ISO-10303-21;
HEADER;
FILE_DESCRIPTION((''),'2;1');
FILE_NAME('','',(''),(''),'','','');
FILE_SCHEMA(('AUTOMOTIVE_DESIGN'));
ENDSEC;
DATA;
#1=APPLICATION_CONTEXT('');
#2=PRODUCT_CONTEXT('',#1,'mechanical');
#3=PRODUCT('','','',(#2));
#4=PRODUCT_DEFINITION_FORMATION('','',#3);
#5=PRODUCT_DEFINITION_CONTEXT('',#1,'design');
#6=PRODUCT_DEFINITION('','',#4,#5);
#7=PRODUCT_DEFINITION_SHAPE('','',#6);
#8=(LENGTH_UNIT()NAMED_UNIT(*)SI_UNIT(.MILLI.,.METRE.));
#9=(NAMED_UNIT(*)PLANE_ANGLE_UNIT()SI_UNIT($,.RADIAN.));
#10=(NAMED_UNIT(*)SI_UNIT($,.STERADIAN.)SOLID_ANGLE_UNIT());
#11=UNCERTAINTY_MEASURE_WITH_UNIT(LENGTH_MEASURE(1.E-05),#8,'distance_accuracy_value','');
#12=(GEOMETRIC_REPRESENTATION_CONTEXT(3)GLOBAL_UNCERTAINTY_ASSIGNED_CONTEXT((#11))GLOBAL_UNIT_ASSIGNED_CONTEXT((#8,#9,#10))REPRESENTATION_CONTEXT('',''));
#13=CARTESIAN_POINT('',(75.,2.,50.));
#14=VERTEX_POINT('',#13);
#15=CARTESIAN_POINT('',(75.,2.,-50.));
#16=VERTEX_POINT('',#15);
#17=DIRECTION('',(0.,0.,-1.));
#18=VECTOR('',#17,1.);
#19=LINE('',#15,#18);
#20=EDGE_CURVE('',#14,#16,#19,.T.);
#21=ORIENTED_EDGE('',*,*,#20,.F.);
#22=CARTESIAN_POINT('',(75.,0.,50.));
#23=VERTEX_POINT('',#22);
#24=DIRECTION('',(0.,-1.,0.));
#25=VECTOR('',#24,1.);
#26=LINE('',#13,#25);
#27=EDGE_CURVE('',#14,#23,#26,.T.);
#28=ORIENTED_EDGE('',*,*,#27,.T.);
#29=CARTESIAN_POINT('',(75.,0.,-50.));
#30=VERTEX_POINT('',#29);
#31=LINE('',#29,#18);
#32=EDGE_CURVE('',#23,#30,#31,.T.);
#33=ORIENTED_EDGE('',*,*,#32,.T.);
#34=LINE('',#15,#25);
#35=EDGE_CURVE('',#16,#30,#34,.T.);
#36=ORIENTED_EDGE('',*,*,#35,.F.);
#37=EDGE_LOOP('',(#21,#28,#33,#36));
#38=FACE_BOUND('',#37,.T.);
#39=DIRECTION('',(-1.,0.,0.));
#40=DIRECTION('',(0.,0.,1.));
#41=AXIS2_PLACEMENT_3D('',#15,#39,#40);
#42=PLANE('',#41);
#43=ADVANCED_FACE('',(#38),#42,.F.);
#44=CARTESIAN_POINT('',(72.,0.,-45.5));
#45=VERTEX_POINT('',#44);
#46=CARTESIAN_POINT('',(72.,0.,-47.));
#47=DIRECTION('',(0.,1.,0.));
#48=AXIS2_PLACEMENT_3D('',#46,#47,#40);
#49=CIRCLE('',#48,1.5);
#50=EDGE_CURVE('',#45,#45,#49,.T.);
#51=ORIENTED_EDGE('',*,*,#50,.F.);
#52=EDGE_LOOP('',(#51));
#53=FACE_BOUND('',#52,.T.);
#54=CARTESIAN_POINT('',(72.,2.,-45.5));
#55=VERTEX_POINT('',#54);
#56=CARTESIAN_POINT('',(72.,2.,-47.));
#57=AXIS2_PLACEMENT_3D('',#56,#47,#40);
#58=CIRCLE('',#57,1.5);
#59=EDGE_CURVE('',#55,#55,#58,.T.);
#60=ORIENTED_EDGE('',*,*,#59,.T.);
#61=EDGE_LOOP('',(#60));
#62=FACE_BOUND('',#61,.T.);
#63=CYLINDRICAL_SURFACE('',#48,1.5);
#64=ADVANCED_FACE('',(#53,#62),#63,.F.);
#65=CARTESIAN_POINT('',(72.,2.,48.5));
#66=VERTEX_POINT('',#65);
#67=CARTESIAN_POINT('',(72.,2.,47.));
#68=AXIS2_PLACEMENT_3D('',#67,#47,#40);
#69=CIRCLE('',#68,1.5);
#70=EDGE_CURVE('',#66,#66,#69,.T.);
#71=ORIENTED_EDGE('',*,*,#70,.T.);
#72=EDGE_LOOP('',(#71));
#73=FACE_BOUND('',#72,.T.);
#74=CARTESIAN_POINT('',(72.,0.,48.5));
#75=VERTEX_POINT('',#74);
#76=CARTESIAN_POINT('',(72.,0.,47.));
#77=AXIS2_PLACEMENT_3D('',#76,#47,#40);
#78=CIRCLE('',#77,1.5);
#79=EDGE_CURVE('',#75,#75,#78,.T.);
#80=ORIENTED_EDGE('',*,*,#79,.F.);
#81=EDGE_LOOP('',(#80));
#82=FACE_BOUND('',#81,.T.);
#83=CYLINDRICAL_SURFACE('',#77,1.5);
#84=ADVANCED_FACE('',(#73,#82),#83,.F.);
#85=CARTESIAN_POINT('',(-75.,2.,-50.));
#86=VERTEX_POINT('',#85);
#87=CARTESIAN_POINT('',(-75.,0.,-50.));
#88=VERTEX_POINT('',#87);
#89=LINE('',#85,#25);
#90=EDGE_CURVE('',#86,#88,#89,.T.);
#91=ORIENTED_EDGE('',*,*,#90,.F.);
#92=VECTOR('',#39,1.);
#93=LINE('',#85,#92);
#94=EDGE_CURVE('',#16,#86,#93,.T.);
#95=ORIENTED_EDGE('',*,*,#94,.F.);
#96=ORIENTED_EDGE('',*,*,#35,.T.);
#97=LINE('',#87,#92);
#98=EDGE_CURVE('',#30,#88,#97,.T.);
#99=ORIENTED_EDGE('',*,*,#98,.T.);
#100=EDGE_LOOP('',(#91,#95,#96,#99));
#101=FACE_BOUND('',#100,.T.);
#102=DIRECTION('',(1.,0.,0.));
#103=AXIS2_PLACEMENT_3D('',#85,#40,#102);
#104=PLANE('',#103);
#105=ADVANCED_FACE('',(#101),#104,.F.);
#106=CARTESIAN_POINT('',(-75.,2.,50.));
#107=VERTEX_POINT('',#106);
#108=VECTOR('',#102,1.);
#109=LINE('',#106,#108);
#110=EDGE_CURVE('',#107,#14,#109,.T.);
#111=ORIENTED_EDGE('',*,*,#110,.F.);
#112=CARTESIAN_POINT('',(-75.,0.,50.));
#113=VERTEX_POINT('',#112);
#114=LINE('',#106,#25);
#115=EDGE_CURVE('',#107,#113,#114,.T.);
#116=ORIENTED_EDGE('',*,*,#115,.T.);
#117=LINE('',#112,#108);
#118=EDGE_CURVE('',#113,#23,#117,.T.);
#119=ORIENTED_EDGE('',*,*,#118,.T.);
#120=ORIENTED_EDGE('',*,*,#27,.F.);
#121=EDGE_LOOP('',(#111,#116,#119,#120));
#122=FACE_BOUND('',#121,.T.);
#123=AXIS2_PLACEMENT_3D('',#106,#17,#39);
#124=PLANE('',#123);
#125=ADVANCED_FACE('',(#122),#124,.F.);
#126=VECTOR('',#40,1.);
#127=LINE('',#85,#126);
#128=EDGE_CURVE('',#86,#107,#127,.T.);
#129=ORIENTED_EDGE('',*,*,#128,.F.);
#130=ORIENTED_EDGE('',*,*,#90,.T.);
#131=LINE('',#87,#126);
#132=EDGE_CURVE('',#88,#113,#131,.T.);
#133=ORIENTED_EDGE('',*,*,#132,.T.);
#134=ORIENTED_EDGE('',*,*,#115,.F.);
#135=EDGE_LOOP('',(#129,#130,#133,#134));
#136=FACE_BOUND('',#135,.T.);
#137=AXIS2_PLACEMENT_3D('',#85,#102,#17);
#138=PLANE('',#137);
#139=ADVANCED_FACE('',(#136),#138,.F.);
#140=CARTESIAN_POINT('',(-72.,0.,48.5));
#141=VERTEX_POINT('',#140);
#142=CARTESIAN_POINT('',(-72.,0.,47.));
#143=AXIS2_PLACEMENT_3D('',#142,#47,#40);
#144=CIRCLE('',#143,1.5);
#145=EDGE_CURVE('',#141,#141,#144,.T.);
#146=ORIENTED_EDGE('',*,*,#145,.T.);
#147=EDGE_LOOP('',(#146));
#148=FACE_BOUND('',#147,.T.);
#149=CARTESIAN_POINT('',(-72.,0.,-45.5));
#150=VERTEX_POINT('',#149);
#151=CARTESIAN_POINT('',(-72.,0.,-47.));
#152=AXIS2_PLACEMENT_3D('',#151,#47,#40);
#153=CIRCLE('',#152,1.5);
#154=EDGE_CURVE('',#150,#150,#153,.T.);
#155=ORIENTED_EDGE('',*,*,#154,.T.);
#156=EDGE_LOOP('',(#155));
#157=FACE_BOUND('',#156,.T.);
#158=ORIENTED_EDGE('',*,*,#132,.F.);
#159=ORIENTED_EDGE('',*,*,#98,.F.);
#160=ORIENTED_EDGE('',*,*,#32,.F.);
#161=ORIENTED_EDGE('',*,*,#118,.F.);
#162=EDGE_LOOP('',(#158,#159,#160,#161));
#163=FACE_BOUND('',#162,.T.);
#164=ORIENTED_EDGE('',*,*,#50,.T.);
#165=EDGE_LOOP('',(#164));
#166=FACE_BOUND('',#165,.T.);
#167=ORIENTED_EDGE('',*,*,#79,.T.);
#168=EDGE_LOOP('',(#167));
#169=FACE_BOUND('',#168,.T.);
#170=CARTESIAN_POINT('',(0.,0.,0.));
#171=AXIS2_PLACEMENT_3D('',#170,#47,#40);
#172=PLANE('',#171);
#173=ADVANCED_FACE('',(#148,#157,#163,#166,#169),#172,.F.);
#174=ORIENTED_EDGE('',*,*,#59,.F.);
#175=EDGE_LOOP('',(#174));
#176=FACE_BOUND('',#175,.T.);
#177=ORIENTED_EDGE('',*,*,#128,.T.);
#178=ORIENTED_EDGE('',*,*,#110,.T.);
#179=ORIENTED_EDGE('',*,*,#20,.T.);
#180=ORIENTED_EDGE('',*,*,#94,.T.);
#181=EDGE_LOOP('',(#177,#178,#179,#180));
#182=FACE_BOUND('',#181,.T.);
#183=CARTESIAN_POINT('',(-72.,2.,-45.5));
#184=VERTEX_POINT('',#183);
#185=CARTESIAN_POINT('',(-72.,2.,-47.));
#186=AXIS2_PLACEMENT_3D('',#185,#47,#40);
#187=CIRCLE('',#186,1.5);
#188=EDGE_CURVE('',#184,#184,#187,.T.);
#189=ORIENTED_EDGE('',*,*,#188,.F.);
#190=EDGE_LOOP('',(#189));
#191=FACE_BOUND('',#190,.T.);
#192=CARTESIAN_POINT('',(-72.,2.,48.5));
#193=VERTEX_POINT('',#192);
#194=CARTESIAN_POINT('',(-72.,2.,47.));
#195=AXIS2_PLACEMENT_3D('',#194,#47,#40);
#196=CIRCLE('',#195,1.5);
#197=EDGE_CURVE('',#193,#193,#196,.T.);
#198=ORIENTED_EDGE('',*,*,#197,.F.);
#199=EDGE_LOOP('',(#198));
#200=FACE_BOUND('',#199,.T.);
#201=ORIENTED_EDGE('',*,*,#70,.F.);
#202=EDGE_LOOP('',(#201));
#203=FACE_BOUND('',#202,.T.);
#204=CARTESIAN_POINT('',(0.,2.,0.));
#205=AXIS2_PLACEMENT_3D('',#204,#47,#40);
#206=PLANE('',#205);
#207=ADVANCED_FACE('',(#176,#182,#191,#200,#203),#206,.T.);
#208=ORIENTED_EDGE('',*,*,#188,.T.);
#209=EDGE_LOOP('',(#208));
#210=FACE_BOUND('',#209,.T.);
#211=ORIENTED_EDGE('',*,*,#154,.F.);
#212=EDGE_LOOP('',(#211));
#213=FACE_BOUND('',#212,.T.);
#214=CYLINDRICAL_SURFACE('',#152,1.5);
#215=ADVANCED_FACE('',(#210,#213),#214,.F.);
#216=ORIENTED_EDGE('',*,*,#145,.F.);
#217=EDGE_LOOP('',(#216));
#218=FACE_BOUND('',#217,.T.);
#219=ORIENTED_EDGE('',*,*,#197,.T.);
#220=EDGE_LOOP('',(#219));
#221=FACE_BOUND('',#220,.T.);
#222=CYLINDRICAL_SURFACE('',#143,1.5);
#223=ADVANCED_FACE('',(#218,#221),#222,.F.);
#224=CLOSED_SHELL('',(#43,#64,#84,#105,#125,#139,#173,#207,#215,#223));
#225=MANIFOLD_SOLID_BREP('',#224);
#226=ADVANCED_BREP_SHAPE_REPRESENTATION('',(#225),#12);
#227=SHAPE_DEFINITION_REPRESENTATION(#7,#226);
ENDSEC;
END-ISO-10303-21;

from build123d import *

# Parameters (mm, degrees)
SKETCH1_W           = 150
SKETCH1_H           = 100
BOSS_EXTRUDE1_DEPTH = 2
SKETCH2_R           = 1.5
CUT_EXTRUDE1_DEPTH  = 91.160967164


with BuildPart() as part:
    # Sketch1 → Boss-Extrude1 (new body)
    with BuildSketch(Plane(origin=(0, 0, 0), x_dir=(1, 0, 0), z_dir=(0, 1, 0))):
        Rectangle(SKETCH1_W, SKETCH1_H)
    extrude(amount=BOSS_EXTRUDE1_DEPTH)

    # Sketch2 → Cut-Extrude1 (cut, through all)
    with BuildSketch(Plane(origin=(0, 2, 0), x_dir=(1, 0, 0), z_dir=(0, 1, 0))):
        with Locations(Location((-72, 47, 0), (0, 0, 270))):
            Circle(SKETCH2_R)
        with Locations(Location((-72, -47, 0), (0, 0, 270))):
            Circle(SKETCH2_R)
        with Locations(Location((72, -47, 0), (0, 0, 270))):
            Circle(SKETCH2_R)
        with Locations(Location((72, 47, 0), (0, 0, 270))):
            Circle(SKETCH2_R)
    extrude(amount=-CUT_EXTRUDE1_DEPTH, mode=Mode.SUBTRACT)


solid = part.part
